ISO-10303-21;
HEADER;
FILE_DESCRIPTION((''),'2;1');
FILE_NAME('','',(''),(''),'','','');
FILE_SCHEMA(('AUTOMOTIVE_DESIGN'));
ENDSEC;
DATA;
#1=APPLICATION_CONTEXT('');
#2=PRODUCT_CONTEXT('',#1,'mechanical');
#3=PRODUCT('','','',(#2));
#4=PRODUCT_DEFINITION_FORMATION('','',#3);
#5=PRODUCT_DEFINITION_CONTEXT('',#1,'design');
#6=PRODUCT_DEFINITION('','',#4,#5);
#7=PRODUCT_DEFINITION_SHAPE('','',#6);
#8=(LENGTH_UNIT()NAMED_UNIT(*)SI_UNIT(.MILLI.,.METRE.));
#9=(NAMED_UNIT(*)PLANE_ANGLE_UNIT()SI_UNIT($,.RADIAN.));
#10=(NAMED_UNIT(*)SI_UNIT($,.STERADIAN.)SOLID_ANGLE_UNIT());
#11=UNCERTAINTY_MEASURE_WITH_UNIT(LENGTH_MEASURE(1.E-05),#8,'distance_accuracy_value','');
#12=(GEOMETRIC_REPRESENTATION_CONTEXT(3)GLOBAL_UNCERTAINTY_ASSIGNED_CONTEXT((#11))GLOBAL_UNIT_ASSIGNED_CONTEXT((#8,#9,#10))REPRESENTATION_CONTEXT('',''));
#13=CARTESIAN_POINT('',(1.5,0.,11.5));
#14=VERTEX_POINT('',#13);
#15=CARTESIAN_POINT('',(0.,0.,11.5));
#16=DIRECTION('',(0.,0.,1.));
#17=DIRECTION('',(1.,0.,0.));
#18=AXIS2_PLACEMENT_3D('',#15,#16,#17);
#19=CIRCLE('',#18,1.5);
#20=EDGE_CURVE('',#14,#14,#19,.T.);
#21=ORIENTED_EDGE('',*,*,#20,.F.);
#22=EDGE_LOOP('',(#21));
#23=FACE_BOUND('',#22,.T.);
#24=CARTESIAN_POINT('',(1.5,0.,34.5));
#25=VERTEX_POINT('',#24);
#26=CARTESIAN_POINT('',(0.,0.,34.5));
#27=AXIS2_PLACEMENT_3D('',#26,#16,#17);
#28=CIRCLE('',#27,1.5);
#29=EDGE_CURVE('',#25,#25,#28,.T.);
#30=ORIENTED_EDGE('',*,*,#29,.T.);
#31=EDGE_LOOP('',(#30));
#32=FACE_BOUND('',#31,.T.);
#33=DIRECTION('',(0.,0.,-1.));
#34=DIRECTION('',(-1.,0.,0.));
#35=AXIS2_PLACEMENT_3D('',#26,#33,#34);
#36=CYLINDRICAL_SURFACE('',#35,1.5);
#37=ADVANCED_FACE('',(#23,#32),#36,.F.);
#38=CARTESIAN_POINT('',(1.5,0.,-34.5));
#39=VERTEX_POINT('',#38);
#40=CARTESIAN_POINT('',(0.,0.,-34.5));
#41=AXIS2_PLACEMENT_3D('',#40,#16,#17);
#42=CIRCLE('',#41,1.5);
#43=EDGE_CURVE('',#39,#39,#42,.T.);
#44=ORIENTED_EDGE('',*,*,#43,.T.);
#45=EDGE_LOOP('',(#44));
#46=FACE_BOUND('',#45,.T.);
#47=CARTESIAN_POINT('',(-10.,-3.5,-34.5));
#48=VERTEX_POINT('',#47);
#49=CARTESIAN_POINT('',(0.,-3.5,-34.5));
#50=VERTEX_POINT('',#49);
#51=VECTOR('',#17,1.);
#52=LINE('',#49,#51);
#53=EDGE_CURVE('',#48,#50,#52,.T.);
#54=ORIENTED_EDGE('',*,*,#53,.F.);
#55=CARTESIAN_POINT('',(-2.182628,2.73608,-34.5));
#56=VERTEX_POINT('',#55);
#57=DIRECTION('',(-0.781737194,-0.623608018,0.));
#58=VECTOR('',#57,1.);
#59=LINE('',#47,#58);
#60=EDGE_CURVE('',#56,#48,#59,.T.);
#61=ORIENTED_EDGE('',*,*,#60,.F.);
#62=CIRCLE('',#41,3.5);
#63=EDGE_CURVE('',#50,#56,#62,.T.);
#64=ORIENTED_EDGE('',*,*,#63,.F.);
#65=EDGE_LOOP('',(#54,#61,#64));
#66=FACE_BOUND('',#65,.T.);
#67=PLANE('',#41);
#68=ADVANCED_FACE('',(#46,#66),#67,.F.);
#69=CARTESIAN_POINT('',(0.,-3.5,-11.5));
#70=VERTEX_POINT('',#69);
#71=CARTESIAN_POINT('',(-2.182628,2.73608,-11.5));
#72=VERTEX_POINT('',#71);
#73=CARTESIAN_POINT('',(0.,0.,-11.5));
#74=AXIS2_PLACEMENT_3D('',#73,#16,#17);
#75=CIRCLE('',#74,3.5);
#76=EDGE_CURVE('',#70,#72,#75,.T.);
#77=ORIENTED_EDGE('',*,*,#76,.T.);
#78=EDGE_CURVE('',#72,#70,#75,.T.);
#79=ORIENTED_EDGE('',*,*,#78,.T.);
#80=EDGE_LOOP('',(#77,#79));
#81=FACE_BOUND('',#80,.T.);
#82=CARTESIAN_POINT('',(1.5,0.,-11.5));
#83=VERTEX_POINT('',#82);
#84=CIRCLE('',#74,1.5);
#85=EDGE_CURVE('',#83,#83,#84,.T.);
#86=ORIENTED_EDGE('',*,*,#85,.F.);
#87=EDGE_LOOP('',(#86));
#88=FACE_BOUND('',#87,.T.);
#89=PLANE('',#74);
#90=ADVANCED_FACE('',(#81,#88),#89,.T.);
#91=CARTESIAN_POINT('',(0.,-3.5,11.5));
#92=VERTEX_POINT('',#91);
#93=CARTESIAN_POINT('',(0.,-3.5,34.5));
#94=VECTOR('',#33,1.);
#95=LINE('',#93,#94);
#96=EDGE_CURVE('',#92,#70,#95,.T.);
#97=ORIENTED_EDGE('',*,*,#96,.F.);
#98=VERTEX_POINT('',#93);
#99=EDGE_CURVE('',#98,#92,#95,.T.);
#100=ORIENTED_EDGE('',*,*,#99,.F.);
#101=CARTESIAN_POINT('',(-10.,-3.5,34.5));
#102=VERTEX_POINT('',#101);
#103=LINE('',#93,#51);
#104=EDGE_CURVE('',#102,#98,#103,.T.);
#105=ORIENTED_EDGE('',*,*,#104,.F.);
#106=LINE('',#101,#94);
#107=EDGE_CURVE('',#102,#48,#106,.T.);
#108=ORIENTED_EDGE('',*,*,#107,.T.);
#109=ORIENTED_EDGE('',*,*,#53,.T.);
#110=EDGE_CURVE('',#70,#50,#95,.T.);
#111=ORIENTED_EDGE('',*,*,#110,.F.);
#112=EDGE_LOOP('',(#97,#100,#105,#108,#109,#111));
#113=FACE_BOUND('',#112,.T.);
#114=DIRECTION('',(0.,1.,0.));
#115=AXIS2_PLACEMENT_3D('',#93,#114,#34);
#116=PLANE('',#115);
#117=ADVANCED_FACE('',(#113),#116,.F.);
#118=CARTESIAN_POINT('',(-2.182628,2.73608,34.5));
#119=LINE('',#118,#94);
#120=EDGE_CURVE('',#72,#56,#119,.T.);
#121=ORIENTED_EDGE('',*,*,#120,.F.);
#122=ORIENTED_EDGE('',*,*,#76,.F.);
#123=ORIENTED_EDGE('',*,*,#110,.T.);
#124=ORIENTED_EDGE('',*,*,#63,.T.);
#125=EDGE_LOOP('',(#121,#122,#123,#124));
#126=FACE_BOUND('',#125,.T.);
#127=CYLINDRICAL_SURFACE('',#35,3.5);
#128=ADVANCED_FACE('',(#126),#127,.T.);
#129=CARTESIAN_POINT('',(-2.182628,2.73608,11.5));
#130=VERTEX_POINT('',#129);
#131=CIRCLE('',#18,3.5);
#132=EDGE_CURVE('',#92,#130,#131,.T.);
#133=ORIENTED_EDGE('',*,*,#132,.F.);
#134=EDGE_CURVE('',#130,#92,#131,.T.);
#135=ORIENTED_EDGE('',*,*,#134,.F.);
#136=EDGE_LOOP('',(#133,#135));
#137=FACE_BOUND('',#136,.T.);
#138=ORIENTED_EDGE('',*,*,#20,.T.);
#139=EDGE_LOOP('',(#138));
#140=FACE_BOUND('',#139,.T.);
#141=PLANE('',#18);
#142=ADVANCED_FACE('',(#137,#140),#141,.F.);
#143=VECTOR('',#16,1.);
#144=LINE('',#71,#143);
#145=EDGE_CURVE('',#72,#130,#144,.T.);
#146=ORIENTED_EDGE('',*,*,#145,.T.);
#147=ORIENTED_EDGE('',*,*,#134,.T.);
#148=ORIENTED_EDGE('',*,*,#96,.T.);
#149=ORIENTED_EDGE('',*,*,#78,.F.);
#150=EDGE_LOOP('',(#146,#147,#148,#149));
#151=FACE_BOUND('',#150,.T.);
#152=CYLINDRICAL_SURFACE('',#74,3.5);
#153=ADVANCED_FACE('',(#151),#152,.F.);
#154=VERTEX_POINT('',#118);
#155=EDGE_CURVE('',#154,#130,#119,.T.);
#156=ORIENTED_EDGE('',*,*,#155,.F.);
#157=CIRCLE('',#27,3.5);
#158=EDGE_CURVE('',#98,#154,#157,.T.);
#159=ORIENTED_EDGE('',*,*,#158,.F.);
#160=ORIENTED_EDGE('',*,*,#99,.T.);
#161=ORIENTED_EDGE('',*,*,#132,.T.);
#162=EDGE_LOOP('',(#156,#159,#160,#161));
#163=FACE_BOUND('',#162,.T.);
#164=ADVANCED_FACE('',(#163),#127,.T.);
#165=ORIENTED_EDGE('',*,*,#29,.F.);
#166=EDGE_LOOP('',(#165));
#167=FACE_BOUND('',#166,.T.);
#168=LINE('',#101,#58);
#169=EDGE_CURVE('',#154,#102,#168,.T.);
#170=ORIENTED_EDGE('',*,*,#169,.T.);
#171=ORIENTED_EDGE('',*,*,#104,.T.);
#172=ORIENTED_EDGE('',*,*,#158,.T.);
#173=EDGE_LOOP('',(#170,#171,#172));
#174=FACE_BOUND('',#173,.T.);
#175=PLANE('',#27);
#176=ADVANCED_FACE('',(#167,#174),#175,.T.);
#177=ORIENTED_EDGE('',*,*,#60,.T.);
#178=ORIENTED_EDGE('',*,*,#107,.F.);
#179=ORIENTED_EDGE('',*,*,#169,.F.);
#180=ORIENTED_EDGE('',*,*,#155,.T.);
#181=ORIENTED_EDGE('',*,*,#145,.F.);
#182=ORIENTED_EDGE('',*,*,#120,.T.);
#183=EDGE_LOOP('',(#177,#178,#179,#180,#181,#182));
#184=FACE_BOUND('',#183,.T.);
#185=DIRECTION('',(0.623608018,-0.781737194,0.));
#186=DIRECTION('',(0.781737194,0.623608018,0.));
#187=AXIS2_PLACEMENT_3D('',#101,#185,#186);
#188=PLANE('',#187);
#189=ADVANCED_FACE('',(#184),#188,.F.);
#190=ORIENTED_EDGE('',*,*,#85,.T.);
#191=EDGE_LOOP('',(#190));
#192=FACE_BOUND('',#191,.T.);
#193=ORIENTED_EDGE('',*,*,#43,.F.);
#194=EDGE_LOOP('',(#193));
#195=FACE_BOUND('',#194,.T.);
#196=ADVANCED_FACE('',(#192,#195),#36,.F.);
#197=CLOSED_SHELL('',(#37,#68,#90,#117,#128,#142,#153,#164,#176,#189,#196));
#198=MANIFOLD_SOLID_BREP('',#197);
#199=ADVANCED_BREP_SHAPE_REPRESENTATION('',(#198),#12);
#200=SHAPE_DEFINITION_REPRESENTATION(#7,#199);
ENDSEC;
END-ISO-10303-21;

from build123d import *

# Parameters (mm, degrees)
SKETCH1_R           = 3.5
SKETCH1_R_2         = 1.5
BOSS_EXTRUDE1_DEPTH = 34.5
BOSS_EXTRUDE2_DEPTH = 34.5
SKETCH5_R           = 3.5
CUT_EXTRUDE1_DEPTH  = 11.5


with BuildPart() as part:
    # Sketch1 → Boss-Extrude1 (new, symmetric)
    with BuildSketch(Plane.XY):
        Circle(SKETCH1_R)
        Circle(SKETCH1_R_2, mode=Mode.SUBTRACT)
    extrude(amount=BOSS_EXTRUDE1_DEPTH, both=True)

    # Sketch2 → Boss-Extrude2 (add, symmetric)
    with BuildSketch(Plane.XY):
        with BuildLine():
            Line((0, -3.5), (-10, -3.5))
            Line((-10, -3.5), (-2.182628062, 2.736080178))
            ThreePointArc((-2.182628062, 2.736080178), (-3.303504247, -1.156226487), (0, -3.5))
        make_face()
    extrude(amount=BOSS_EXTRUDE2_DEPTH, both=True)

    # Sketch5 → Cut-Extrude1 (cut, symmetric)
    with BuildSketch(Plane.XY):
        Circle(SKETCH5_R)
    extrude(amount=CUT_EXTRUDE1_DEPTH, both=True, mode=Mode.SUBTRACT)


solid = part.part
